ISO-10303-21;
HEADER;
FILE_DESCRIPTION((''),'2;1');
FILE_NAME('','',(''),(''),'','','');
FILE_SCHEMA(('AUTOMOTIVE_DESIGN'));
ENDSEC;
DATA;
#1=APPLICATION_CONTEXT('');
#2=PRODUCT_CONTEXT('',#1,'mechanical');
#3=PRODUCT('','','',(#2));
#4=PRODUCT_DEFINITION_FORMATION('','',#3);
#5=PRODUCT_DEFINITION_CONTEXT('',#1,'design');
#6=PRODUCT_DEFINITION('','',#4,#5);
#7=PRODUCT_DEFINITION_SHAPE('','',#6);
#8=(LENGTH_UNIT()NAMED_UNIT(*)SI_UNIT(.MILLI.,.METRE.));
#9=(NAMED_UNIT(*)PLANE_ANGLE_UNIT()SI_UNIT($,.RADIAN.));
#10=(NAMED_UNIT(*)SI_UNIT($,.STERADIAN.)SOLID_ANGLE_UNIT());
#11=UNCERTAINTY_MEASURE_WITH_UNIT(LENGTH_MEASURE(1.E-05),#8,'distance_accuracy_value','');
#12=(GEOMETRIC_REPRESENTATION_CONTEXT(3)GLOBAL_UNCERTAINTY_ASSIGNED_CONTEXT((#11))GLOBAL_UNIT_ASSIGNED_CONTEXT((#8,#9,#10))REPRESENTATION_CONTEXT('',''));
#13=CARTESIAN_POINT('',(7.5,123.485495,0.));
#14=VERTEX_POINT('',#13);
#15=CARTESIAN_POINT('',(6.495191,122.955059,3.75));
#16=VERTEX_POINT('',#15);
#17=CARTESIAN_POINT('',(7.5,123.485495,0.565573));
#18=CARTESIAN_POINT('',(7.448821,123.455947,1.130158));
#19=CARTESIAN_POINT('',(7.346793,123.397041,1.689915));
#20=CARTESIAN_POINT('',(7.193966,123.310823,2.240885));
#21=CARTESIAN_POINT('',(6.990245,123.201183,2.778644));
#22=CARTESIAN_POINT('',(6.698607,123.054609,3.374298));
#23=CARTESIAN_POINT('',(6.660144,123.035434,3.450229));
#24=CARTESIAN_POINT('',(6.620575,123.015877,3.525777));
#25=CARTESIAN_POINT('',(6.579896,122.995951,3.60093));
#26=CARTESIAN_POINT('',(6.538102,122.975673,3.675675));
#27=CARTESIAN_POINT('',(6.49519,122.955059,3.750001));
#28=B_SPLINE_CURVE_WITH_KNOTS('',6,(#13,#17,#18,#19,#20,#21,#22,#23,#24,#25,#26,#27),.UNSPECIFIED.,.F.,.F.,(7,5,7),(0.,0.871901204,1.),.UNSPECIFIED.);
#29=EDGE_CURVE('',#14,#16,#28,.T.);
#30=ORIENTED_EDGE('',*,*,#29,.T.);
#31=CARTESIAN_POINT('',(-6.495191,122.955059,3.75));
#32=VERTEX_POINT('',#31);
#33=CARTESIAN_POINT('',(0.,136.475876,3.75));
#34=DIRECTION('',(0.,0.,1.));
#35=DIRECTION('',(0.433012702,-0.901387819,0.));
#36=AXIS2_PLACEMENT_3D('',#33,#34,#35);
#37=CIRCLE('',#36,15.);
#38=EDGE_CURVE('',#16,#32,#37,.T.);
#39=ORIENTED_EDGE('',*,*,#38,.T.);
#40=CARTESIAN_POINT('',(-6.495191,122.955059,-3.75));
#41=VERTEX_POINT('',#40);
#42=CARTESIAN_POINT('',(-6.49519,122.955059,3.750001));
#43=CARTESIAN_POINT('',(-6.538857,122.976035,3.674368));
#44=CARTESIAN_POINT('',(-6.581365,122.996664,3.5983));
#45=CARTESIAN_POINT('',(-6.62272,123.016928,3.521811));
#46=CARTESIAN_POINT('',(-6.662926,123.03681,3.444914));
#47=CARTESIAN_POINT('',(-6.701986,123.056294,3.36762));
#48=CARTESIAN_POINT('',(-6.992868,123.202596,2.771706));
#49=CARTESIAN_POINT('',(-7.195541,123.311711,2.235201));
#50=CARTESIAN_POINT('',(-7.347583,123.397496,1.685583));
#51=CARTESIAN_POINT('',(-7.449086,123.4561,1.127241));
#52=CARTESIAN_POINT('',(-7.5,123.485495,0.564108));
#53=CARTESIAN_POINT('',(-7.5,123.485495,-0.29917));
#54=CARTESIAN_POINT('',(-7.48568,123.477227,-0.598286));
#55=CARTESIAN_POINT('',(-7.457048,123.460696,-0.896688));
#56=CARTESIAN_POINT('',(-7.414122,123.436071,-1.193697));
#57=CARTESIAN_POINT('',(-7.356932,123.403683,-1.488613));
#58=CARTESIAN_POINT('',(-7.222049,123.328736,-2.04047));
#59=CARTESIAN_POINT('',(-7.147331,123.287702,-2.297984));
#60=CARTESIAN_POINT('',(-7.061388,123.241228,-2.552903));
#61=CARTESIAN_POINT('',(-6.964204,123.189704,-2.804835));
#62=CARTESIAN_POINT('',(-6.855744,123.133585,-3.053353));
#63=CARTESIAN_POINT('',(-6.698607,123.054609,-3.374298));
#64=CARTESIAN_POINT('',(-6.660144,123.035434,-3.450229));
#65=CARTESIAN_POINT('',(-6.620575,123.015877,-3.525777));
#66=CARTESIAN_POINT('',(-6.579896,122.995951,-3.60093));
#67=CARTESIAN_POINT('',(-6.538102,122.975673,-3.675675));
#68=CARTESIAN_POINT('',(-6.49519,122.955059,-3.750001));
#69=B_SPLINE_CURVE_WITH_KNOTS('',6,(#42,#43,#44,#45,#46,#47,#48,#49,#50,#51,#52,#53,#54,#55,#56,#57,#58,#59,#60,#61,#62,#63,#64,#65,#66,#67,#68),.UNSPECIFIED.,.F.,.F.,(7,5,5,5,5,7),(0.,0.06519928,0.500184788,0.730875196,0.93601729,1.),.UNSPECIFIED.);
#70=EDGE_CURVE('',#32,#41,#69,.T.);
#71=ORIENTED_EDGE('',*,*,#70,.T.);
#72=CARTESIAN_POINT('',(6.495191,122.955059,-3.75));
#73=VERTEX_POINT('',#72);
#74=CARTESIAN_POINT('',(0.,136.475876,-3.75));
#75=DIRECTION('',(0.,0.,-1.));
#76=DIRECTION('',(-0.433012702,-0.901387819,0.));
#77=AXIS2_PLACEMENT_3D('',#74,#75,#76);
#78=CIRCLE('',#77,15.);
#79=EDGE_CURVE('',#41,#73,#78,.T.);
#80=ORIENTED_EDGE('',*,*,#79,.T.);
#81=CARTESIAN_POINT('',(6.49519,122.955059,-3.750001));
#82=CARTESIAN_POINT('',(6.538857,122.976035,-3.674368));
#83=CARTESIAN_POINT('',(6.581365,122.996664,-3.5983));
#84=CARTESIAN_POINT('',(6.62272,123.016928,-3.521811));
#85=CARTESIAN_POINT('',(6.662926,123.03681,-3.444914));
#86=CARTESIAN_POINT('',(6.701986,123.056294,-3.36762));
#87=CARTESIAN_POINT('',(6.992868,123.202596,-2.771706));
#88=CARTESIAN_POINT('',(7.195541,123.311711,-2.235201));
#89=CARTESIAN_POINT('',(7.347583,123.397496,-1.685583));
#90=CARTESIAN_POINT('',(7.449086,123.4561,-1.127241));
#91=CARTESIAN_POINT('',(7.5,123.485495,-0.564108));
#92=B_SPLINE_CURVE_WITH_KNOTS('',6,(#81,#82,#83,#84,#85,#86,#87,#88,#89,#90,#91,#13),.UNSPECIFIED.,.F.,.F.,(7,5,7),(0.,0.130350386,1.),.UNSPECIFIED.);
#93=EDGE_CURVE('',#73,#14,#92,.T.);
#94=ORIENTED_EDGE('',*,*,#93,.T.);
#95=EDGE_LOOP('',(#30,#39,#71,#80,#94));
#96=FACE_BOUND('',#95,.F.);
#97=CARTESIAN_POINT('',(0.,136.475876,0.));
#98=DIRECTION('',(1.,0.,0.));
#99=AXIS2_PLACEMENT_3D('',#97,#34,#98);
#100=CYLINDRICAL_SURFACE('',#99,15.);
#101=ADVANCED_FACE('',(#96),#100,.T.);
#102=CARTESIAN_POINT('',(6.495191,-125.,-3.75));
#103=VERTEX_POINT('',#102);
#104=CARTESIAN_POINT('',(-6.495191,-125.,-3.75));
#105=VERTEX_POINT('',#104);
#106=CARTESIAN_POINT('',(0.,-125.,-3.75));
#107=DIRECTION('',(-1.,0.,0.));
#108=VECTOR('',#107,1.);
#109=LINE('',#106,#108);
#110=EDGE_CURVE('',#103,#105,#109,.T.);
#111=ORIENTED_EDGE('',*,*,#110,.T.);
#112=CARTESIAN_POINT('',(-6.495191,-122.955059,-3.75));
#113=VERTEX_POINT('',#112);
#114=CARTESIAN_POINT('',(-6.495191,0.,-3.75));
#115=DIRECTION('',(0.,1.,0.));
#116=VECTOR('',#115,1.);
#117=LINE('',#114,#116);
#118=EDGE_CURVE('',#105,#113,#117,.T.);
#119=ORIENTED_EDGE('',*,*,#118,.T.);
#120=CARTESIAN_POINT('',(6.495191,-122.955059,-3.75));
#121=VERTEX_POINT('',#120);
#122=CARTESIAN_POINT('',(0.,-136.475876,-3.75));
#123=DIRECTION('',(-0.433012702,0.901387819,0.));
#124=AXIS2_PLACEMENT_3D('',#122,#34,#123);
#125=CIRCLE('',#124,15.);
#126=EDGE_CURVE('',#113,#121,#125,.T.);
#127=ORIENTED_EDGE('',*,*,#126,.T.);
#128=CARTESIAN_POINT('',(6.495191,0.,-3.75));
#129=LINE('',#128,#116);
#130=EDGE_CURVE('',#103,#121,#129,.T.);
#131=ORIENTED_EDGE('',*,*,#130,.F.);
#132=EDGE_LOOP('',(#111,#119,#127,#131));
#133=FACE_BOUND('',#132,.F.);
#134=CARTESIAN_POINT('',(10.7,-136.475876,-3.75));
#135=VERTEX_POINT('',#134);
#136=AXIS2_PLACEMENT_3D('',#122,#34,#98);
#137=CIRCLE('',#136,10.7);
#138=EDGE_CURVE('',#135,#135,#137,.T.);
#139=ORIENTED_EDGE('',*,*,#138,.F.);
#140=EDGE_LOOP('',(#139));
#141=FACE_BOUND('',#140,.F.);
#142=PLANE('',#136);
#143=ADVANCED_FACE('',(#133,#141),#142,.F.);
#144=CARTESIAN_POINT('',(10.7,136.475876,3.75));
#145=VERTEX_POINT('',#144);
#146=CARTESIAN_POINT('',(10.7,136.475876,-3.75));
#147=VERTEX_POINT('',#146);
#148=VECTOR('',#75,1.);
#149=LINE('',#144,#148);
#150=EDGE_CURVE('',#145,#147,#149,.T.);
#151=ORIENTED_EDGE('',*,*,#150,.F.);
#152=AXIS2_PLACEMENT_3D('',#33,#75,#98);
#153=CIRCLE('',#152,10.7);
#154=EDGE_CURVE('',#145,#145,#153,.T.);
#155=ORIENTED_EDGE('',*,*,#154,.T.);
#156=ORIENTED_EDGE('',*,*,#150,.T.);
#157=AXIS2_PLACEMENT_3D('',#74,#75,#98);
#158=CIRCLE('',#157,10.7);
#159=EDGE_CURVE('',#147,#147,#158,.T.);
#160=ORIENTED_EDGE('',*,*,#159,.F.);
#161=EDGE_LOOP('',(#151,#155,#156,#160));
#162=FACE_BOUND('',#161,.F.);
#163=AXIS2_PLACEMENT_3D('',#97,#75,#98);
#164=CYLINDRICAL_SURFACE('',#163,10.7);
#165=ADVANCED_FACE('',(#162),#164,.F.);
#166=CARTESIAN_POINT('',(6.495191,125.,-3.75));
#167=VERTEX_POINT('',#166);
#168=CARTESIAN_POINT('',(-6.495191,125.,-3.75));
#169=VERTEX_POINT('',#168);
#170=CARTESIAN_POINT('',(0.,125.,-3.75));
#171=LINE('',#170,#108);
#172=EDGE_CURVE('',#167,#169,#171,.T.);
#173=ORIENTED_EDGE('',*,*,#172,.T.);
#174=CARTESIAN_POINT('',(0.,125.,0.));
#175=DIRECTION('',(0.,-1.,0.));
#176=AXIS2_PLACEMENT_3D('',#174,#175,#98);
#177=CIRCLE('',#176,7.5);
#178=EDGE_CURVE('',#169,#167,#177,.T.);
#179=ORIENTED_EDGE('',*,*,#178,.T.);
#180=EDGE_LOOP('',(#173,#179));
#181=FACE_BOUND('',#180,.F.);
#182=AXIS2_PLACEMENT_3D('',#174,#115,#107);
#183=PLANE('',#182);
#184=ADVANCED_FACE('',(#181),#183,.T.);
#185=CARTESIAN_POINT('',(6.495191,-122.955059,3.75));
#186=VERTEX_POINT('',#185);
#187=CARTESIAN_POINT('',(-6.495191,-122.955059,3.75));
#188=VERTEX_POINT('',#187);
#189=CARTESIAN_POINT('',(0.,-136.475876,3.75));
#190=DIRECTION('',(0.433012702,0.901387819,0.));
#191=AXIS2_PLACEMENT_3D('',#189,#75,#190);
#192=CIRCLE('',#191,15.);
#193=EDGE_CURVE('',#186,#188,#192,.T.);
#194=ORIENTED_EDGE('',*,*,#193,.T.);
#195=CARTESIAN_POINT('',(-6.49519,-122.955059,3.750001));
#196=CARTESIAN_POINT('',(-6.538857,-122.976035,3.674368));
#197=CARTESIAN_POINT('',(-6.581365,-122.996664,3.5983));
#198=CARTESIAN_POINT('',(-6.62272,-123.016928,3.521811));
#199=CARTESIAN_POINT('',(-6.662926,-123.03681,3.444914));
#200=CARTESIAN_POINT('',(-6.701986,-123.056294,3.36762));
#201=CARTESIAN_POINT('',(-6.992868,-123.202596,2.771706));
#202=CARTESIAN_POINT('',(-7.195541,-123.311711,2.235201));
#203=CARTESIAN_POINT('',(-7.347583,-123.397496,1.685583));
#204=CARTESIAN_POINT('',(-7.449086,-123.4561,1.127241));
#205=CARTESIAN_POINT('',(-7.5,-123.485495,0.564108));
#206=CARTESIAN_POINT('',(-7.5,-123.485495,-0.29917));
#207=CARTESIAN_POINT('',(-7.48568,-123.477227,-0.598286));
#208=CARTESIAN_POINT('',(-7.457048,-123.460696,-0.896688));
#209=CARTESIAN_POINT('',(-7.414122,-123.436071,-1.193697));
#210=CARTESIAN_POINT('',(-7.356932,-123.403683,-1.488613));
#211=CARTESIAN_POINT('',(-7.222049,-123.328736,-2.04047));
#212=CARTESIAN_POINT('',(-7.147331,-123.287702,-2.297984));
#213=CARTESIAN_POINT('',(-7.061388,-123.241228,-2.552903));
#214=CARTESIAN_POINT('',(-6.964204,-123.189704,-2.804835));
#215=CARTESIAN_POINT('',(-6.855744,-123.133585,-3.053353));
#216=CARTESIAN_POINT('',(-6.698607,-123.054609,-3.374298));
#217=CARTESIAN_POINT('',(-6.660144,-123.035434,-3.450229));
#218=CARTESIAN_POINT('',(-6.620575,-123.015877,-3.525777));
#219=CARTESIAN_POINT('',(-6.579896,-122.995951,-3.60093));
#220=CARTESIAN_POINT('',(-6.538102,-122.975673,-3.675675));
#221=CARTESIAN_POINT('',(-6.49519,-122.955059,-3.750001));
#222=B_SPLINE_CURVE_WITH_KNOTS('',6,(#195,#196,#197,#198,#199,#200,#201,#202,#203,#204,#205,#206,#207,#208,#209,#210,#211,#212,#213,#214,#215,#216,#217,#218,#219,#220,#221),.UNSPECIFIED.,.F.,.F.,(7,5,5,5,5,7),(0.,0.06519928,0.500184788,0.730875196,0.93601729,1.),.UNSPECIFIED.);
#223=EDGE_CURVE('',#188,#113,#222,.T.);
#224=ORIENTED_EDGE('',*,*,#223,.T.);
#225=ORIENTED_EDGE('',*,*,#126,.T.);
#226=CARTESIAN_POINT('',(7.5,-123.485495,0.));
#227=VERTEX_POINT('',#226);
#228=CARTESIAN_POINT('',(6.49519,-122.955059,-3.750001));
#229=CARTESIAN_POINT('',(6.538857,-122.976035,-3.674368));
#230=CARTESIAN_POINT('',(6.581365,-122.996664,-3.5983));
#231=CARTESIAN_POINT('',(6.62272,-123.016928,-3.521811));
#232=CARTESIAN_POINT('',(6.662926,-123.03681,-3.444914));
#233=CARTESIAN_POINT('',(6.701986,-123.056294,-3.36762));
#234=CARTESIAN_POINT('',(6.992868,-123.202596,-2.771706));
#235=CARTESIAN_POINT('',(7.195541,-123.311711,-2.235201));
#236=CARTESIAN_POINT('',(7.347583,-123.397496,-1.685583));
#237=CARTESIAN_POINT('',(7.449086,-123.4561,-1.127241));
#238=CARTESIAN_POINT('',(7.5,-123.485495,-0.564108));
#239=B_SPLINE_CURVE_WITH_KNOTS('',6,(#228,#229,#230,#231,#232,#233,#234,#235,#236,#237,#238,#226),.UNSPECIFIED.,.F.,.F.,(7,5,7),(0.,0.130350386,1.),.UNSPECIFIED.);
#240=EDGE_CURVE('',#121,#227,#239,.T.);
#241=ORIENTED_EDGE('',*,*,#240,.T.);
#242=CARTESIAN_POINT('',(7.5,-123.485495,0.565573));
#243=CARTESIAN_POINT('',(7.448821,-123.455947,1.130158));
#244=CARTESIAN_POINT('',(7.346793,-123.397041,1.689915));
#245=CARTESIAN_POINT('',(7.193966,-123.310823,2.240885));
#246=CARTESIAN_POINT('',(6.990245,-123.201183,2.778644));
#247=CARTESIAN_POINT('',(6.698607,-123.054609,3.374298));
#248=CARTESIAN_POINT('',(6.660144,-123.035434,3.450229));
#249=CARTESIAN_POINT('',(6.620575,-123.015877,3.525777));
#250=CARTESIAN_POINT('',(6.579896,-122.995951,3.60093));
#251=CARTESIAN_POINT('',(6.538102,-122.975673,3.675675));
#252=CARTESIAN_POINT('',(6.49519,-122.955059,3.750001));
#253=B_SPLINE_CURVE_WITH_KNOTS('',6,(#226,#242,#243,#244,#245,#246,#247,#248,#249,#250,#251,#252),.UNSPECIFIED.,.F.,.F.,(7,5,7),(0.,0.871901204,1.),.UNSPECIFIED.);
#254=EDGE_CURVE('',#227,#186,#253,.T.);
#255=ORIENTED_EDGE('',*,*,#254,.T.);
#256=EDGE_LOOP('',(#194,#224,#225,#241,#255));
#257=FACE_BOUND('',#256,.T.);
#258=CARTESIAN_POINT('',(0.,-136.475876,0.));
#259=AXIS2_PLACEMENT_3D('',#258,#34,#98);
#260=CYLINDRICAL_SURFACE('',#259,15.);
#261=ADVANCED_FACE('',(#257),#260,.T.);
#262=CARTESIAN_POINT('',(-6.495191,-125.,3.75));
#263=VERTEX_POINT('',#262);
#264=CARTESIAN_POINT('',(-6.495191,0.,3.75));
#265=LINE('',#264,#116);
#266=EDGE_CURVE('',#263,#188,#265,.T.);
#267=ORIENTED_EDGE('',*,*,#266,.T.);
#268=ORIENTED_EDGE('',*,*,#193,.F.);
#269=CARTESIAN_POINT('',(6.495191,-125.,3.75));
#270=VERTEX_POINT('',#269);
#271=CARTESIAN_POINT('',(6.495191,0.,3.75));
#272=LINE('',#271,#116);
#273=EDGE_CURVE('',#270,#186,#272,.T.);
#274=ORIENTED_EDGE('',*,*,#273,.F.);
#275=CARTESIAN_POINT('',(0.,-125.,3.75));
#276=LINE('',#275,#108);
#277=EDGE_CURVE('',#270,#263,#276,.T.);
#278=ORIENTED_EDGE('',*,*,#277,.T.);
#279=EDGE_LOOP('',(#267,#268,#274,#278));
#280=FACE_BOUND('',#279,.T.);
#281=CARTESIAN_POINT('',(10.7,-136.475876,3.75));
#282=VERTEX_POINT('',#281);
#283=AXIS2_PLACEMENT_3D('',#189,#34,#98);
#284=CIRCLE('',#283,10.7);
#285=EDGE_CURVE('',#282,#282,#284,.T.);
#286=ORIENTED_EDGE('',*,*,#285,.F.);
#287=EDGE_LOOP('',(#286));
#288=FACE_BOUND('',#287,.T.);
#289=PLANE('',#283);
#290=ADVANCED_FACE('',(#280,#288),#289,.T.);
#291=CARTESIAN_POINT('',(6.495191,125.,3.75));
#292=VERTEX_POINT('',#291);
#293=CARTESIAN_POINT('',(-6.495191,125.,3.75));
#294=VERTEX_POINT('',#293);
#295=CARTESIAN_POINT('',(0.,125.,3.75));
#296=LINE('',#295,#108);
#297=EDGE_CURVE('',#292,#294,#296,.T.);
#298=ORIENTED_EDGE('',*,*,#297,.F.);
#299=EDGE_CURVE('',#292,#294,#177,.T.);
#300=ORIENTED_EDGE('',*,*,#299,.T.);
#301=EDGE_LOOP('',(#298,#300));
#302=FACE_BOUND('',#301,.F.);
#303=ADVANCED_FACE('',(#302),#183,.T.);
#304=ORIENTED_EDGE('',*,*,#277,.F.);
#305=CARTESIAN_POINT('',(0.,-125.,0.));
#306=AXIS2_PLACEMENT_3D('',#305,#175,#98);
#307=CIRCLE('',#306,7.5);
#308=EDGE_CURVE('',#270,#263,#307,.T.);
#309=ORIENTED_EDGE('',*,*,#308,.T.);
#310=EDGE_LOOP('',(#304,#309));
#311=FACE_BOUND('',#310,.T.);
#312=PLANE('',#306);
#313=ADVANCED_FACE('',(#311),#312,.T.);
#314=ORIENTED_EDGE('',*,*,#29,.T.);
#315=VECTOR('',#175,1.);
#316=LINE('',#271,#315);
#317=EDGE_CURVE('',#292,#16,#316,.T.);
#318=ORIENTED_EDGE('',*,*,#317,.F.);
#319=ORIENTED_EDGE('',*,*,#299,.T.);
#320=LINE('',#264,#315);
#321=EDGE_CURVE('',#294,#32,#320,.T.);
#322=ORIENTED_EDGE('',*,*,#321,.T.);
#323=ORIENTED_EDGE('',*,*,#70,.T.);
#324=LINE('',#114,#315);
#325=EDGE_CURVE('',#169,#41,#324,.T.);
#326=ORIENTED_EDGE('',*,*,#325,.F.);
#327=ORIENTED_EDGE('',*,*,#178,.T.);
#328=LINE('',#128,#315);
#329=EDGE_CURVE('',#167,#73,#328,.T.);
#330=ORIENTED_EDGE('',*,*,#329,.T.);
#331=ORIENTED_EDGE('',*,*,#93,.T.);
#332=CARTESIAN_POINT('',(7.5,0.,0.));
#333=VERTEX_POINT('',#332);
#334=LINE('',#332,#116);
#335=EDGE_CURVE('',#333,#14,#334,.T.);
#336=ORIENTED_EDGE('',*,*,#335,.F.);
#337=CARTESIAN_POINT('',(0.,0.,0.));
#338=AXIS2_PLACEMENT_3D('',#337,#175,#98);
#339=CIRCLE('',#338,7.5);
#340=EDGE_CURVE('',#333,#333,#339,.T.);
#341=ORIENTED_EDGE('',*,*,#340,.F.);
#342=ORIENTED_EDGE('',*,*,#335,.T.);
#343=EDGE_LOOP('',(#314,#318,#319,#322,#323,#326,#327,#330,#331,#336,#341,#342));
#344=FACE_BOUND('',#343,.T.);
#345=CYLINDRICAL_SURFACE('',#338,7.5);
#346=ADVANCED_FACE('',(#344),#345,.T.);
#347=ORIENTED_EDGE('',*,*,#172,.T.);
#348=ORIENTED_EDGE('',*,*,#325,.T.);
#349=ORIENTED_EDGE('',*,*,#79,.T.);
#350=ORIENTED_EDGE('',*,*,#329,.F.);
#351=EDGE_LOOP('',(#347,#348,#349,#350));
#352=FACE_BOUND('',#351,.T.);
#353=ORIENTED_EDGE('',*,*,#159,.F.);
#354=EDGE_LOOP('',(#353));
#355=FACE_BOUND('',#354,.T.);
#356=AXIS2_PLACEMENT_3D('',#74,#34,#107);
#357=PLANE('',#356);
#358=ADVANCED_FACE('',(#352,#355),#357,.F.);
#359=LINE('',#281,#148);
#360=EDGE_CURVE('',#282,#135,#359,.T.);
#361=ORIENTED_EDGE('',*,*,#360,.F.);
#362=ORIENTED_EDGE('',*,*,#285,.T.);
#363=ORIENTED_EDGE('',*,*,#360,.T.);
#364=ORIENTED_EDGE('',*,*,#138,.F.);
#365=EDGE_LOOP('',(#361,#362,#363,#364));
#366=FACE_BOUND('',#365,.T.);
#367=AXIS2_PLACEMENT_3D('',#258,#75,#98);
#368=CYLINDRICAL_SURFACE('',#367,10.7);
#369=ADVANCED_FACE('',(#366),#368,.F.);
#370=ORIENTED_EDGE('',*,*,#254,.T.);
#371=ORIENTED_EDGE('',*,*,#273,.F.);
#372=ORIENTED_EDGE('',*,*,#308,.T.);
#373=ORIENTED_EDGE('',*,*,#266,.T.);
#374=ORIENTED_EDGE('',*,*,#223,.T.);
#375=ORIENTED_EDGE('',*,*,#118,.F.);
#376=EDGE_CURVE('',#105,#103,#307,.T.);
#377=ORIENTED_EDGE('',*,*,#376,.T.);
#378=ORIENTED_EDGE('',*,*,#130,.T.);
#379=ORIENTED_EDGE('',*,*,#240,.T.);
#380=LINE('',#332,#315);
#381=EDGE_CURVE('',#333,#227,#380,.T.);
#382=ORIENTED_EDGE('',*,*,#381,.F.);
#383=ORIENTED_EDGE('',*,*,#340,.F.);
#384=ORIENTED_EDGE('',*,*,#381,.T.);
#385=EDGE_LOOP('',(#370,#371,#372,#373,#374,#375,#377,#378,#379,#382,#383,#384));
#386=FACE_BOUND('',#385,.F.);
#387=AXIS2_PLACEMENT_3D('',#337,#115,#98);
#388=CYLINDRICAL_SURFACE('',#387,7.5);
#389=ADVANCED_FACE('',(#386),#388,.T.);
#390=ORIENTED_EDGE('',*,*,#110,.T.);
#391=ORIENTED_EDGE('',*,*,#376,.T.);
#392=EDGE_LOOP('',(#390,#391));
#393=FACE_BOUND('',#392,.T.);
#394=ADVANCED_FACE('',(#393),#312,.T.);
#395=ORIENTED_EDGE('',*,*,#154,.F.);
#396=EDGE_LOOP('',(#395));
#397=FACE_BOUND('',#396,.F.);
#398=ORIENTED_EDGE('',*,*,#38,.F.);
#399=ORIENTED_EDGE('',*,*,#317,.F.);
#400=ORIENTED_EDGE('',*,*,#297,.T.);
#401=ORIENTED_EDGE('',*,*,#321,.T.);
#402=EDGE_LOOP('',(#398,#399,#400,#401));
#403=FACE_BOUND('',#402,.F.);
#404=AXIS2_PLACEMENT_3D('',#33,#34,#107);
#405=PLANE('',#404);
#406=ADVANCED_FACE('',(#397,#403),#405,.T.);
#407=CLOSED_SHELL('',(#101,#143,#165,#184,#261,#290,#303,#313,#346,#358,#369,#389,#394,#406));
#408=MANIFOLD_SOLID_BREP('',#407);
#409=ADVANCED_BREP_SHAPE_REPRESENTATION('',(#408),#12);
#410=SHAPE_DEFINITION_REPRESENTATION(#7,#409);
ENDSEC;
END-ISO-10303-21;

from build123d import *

# Parameters (mm, degrees)
F0_R     = 7.5
F1_DEPTH = 125
F2_R     = 15
F2_R_2   = 10.7
F3_DEPTH = 3.75


with BuildPart() as f1:
    # F0 (on Front) → F1 (new body)
    with BuildSketch(Plane.XZ):
        Circle(F0_R)
    extrude(amount=F1_DEPTH)

    # F2 (on Top) → F3 (join, symmetric)
    with BuildSketch(Plane.XY):
        with Locations((0, -136.475876)):
            Circle(F2_R)
        with Locations((0, -136.475876)):
            Circle(F2_R_2, mode=Mode.SUBTRACT)
    extrude(amount=F3_DEPTH, both=True)

    # F4: F1 across plane


with BuildPart() as f1_1:
    add(f1.part)
    add(f1.part.mirror(Plane.XZ))


solid = f1_1.part
